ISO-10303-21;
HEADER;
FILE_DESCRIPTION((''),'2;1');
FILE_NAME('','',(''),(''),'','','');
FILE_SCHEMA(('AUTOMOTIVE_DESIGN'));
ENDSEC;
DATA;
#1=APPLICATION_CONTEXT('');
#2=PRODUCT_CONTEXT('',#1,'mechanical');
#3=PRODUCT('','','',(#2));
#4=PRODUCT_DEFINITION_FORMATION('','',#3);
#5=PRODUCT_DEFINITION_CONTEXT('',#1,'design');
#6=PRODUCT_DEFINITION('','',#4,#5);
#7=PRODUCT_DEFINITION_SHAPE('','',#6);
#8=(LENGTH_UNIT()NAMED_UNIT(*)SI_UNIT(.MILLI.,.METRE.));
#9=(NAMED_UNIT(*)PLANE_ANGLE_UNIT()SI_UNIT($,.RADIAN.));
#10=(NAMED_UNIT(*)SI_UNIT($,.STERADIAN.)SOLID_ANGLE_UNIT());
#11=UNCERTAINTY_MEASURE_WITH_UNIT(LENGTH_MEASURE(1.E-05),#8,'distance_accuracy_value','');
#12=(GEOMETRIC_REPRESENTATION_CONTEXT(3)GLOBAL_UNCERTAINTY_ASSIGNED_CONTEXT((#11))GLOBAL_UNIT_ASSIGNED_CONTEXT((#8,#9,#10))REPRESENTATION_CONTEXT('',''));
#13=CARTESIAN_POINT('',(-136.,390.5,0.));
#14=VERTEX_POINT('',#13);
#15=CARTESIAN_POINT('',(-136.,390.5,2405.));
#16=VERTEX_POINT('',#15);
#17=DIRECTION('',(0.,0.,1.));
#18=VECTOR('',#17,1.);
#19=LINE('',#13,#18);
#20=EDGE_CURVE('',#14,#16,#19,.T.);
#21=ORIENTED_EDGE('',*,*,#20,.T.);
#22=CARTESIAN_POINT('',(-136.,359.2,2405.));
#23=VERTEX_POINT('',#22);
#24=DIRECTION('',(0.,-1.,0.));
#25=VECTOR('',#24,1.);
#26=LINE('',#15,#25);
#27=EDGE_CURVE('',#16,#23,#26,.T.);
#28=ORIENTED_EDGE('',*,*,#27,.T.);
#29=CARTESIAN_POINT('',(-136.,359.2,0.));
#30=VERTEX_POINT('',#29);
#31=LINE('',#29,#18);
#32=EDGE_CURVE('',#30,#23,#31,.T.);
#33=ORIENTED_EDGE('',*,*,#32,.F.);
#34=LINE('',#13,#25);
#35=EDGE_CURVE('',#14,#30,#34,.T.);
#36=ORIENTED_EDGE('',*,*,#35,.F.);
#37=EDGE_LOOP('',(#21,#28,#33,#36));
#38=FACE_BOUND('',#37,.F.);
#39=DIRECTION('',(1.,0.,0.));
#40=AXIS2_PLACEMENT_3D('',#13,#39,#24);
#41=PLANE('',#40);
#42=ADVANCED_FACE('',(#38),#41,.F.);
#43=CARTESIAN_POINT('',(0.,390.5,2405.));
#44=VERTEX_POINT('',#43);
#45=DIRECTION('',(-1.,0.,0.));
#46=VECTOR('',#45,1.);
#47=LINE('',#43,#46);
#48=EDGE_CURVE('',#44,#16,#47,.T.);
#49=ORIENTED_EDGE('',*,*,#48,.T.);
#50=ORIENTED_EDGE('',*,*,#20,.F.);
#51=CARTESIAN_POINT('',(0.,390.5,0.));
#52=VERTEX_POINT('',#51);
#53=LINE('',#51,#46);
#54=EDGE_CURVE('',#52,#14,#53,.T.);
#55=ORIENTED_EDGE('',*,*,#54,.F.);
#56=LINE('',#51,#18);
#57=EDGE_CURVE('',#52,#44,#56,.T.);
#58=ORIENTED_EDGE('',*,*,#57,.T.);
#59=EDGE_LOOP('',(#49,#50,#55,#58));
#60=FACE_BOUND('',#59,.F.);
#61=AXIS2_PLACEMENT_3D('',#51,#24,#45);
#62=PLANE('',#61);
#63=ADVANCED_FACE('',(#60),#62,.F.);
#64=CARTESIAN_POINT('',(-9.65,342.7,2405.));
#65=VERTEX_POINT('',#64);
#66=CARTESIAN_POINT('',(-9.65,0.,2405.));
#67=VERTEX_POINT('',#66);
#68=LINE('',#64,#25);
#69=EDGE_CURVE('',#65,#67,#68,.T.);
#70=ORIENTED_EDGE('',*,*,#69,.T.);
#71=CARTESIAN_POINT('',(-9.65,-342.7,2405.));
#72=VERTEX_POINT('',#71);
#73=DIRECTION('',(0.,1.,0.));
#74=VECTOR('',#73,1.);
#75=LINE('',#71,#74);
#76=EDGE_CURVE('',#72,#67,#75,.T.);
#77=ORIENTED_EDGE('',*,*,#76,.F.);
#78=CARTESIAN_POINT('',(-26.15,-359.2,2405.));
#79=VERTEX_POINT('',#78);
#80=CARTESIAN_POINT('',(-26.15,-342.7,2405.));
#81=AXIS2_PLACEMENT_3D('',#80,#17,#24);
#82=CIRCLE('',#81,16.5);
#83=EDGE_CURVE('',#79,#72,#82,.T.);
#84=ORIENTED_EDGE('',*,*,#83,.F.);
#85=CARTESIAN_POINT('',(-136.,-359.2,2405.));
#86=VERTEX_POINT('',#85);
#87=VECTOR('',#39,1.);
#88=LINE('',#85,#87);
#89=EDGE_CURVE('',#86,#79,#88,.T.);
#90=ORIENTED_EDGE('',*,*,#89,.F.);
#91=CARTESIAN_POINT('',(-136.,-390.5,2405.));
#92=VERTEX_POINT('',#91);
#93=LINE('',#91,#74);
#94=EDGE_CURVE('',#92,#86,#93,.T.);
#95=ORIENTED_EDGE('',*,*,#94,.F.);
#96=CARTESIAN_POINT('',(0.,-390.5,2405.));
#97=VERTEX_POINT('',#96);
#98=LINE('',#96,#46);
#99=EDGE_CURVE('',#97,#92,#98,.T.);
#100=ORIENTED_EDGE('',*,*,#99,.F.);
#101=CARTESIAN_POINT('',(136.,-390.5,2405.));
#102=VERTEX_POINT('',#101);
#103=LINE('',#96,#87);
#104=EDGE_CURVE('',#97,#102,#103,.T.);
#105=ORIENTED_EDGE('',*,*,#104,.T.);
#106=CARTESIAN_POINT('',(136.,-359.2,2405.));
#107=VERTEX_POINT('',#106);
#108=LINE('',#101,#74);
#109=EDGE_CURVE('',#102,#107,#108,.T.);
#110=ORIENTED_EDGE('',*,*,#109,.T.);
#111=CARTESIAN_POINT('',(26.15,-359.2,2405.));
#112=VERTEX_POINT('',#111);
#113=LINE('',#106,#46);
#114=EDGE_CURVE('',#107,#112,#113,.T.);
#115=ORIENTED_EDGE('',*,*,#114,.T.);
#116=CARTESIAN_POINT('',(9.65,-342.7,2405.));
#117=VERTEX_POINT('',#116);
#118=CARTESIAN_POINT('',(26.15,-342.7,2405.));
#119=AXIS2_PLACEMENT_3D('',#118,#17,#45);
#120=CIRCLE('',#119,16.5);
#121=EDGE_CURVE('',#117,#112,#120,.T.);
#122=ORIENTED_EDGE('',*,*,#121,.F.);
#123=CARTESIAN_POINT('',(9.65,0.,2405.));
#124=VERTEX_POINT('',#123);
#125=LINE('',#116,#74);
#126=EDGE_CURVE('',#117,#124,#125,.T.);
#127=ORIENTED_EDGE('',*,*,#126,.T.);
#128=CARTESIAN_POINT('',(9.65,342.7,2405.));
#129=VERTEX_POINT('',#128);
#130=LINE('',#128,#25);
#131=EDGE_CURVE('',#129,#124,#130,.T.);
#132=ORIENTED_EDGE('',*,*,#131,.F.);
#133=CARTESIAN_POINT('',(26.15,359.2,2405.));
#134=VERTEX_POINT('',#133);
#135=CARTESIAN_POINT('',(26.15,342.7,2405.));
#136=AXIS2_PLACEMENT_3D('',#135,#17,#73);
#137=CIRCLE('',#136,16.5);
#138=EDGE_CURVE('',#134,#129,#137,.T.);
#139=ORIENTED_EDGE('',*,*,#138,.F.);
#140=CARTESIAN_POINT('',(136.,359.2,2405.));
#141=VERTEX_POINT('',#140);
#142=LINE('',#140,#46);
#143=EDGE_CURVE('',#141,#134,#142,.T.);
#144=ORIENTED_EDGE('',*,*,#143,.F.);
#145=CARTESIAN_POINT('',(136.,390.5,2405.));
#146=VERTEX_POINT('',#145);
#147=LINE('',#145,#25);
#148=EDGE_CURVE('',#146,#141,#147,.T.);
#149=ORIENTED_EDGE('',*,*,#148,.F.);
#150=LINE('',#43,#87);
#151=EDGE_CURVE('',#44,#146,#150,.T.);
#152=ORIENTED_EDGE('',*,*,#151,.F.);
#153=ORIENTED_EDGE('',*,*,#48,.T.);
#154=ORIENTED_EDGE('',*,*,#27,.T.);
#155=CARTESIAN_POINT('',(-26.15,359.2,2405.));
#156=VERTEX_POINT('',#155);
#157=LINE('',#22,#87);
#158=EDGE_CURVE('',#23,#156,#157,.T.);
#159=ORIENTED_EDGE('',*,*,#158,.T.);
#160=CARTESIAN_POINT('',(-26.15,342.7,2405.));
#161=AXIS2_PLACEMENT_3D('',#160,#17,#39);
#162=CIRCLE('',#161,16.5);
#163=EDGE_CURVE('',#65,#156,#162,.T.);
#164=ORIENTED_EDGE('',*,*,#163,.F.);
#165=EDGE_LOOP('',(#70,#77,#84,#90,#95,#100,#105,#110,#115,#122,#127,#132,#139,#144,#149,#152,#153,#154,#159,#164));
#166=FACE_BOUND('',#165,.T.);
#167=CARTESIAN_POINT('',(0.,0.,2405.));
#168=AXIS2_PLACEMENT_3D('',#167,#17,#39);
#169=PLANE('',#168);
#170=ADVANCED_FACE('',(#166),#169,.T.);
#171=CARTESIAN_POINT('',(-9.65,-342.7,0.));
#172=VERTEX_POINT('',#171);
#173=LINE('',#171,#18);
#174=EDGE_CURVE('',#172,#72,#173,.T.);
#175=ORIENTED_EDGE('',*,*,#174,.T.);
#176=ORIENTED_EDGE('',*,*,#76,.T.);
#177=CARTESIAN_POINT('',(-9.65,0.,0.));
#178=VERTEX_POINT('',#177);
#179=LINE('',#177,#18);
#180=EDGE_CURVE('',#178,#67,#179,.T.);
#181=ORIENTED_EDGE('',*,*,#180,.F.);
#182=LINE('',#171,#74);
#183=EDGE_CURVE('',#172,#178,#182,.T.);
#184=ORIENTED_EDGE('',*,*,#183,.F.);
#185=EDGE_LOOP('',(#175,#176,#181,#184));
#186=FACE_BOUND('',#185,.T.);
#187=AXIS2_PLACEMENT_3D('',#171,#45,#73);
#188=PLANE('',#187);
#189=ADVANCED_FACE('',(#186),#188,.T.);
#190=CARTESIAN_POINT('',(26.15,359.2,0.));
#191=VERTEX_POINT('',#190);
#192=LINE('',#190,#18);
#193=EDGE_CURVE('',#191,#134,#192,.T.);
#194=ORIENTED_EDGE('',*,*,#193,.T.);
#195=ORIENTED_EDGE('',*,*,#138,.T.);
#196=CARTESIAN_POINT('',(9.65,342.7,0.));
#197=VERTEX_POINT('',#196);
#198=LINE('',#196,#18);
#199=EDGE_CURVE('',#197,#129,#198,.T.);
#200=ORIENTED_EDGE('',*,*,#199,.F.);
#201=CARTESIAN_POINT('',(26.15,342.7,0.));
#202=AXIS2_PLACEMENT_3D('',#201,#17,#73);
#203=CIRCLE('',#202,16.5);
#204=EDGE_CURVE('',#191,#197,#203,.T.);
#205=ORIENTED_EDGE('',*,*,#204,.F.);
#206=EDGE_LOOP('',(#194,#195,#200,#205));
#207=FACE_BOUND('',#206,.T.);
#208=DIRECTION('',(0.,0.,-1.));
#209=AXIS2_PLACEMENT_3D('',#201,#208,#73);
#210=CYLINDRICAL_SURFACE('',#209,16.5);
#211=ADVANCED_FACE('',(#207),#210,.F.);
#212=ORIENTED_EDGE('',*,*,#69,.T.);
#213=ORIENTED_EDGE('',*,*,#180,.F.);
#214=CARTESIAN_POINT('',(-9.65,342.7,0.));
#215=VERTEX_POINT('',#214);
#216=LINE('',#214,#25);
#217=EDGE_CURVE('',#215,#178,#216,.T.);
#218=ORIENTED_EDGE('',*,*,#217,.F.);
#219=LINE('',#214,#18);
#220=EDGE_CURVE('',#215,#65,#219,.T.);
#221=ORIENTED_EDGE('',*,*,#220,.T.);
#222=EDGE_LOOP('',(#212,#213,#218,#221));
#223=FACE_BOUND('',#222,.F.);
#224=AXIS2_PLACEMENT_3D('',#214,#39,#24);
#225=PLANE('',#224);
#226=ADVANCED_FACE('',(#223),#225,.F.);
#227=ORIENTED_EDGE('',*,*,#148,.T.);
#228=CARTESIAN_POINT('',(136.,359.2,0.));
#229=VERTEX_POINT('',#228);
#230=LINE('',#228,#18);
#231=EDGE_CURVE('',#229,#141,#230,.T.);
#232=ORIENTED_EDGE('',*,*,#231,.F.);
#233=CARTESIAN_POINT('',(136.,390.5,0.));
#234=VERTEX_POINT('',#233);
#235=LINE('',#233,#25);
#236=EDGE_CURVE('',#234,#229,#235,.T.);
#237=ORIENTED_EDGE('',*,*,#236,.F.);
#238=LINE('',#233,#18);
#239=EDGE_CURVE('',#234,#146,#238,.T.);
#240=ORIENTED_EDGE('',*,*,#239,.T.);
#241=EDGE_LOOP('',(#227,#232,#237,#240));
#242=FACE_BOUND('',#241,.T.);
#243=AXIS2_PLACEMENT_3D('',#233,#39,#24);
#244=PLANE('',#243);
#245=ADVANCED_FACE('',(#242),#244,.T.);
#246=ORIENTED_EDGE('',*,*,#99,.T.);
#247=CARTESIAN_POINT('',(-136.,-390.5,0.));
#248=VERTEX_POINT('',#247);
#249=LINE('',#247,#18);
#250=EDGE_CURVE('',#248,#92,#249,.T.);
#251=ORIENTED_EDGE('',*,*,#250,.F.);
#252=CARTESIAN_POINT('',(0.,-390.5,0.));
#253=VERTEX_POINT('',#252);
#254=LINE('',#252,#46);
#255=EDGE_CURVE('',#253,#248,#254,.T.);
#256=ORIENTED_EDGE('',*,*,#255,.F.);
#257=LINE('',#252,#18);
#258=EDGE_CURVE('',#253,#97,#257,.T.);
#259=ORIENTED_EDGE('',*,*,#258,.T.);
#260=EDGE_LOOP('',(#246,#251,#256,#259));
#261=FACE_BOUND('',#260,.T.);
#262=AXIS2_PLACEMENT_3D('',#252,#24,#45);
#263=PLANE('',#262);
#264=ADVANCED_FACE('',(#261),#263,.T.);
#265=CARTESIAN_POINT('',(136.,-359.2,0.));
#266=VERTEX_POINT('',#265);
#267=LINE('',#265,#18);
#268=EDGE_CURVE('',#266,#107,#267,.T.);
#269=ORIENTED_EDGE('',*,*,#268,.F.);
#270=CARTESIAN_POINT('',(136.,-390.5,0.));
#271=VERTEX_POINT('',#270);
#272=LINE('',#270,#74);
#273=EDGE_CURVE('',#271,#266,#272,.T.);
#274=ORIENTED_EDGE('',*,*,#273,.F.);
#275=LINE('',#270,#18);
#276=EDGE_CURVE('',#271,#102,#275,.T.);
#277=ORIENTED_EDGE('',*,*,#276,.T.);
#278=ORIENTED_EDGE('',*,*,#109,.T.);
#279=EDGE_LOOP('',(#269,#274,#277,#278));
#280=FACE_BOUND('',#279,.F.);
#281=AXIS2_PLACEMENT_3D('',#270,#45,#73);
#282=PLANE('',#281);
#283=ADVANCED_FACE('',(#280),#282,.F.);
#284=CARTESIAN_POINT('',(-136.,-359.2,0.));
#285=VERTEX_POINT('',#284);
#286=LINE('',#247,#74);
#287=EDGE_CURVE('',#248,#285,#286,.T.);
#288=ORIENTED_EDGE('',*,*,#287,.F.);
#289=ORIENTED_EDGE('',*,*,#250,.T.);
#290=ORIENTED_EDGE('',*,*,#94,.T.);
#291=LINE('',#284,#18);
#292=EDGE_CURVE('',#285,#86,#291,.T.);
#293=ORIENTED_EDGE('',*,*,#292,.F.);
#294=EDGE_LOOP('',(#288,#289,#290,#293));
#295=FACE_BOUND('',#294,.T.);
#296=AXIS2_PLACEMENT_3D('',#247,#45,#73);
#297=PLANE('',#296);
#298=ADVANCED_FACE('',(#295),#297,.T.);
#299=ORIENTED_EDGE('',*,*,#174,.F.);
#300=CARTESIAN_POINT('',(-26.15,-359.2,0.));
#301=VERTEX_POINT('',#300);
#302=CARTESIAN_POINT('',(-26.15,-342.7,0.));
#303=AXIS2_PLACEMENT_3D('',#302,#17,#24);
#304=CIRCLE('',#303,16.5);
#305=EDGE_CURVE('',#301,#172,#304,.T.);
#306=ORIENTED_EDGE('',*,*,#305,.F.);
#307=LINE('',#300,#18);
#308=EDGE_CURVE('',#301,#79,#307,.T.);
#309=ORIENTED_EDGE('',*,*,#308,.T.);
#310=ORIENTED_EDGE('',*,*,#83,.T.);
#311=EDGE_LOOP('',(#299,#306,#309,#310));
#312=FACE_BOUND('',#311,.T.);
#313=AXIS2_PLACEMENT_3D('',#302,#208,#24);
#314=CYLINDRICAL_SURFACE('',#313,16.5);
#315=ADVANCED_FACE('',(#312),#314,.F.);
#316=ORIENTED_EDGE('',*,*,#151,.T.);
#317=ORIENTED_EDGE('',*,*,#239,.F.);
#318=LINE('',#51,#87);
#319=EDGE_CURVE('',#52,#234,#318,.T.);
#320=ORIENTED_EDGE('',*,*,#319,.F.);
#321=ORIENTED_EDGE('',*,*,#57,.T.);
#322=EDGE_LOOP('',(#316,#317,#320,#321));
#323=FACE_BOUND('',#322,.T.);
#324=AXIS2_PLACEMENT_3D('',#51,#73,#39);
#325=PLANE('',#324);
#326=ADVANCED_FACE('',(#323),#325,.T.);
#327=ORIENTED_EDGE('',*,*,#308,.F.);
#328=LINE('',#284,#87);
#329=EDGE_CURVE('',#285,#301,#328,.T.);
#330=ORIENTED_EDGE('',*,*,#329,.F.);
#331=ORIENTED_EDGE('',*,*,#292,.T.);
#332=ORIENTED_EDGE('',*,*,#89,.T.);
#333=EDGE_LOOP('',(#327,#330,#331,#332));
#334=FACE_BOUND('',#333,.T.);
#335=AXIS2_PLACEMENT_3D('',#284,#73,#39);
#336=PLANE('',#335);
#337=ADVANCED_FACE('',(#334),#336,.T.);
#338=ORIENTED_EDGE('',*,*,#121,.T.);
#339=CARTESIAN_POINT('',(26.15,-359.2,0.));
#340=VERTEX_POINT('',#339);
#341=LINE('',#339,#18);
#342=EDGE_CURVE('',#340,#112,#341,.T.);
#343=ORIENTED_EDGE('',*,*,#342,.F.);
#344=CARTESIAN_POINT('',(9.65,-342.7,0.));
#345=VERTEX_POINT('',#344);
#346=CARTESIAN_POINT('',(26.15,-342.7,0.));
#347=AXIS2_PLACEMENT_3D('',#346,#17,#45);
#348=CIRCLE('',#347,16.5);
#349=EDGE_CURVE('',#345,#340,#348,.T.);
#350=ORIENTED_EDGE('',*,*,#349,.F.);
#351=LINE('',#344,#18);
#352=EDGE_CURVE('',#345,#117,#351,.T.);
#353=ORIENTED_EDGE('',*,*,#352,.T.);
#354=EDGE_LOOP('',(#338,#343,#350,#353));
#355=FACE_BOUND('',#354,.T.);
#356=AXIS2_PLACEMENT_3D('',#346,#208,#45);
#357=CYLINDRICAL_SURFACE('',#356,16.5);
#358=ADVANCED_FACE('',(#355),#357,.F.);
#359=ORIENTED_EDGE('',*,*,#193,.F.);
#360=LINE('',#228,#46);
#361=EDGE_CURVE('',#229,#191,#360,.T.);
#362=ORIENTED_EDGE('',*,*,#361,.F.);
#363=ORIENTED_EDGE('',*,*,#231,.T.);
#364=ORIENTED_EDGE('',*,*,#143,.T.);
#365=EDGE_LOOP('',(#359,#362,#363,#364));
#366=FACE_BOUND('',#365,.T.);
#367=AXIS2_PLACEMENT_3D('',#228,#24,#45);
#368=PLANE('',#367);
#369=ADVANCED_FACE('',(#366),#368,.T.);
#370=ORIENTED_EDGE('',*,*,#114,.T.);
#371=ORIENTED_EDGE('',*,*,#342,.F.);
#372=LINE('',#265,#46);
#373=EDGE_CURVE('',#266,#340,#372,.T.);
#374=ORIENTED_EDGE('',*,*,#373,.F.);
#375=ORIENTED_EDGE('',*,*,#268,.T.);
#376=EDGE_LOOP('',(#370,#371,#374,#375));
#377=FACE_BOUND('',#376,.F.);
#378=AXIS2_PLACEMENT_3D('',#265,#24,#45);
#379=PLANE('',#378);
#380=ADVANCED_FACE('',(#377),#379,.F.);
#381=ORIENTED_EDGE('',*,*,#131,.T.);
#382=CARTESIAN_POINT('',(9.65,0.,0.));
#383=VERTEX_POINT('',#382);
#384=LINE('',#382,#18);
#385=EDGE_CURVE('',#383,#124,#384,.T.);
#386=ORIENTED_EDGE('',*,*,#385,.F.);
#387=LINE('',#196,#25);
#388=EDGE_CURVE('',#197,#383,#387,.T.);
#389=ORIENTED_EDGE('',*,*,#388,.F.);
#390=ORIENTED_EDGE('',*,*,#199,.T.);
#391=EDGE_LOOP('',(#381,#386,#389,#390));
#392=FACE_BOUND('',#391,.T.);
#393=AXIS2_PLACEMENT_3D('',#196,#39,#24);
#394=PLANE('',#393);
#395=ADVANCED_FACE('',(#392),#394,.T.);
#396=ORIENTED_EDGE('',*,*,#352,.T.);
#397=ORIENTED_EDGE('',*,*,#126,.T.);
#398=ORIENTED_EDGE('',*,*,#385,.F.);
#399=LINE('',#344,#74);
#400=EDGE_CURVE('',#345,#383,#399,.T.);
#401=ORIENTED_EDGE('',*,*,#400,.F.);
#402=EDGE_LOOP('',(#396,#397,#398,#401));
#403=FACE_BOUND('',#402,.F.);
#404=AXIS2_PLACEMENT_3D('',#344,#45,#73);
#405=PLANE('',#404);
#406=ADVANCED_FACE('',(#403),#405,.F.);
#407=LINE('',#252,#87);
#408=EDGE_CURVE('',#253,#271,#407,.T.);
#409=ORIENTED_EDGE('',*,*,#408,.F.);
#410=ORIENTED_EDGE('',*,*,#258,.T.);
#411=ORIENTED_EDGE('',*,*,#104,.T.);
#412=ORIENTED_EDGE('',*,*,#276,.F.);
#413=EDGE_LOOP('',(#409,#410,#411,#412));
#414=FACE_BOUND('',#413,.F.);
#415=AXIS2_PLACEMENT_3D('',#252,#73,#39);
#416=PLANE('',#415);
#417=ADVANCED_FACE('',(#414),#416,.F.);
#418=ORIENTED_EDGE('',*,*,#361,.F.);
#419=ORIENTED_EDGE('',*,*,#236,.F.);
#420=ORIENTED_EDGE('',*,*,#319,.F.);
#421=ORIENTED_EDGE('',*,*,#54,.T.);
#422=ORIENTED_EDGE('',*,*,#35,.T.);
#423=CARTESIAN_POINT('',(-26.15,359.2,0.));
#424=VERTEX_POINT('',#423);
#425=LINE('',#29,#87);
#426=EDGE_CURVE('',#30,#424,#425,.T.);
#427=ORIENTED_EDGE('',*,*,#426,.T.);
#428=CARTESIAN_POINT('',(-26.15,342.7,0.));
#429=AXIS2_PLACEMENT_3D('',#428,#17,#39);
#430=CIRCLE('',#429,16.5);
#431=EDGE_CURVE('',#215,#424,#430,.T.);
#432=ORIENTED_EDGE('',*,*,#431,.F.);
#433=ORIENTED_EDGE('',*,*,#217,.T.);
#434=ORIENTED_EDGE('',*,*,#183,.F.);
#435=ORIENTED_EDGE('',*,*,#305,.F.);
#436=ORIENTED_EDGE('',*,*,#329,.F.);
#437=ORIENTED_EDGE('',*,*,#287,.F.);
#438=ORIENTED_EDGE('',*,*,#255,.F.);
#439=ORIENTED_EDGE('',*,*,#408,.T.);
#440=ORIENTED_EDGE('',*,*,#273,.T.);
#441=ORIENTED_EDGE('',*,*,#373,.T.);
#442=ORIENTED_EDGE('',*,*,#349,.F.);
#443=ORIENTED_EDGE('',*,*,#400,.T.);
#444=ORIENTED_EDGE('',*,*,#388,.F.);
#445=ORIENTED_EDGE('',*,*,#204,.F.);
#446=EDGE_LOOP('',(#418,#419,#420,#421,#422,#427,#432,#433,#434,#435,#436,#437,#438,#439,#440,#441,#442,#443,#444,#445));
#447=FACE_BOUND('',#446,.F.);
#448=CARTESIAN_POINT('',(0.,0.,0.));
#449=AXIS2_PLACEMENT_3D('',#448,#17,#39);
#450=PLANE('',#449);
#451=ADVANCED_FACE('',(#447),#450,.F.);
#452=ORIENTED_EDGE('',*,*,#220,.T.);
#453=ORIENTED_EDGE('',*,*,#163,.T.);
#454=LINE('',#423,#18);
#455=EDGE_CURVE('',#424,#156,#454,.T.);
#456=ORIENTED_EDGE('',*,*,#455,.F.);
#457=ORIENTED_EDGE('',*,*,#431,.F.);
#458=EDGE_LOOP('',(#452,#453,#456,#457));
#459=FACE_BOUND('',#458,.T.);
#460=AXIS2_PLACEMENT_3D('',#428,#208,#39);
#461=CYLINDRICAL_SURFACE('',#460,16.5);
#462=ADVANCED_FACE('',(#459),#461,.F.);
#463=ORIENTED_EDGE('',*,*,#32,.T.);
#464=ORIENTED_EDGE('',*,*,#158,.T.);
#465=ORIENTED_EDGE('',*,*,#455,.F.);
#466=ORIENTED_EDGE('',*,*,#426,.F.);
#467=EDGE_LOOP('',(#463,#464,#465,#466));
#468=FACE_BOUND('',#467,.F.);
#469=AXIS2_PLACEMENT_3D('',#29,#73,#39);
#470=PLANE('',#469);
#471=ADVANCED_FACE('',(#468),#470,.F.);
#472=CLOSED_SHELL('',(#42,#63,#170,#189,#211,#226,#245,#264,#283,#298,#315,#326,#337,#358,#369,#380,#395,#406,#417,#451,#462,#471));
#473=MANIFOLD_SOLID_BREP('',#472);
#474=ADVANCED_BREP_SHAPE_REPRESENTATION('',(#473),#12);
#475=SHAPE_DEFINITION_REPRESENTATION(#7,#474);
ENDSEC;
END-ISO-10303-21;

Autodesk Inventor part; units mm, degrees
ref_plane "YZ Plane" through (0, 0, 0) normal (1, 0, 0) x (0, 1, 0)
ref_plane "Start plane" through (0, 0, 0) normal (0, 0, 1) x (1, 0, 0)
ref_plane "End plane" through (0, 0, 2405) normal (0, 0, 1) x (1, 0, 0)
sketch "Sketch" plane through (0, 0, 0) normal (0, 0, 1) x (1, 0, 0)
  line L0 (-136, -390.5) -> (-136, -359.2)
  line L1 (-136, -359.2) -> (-26.15, -359.2)
  line L2 (-9.65, -342.7) -> (-9.65, 0)
  line L3 (-9.65, 0) -> (0, 0) construction
  line L4 (0, 0) -> (0, -390.5) construction
  line L5 (0, -390.5) -> (-136, -390.5)
  line L6 (-60, 0) -> (80, 0) construction
  line L7 (0, -60) -> (0, 80) construction
  line L8 (136, -390.5) -> (136, -359.2)
  line L9 (136, -359.2) -> (26.15, -359.2)
  line L10 (9.65, -342.7) -> (9.65, 0)
  line L11 (9.65, 0) -> (0, 0) construction
  line L12 (0, -390.5) -> (136, -390.5)
  line L13 (-136, 390.5) -> (-136, 359.2)
  line L14 (-136, 359.2) -> (-26.15, 359.2)
  line L15 (-9.65, 342.7) -> (-9.65, 0)
  line L16 (0, 390.5) -> (-136, 390.5)
  line L17 (136, 390.5) -> (136, 359.2)
  line L18 (136, 359.2) -> (26.15, 359.2)
  line L19 (0, 390.5) -> (136, 390.5)
  line L20 (9.65, 342.7) -> (9.65, 0)
  arc A0 (-9.65, 342.7) -> (-26.15, 359.2) centre (-26.15, 342.7) ccw
  arc A1 (26.15, 359.2) -> (9.65, 342.7) centre (26.15, 342.7) ccw
  arc A2 (9.65, -342.7) -> (26.15, -359.2) centre (26.15, -342.7) ccw
  arc A3 (-26.15, -359.2) -> (-9.65, -342.7) centre (-26.15, -342.7) ccw
  line L21 (0, 108) -> (0, -88) construction
  line L22 (-88, 0) -> (108, 0) construction
  point P0 (-9.65, -359.2)
  point P1 (9.65, -359.2)
  point P2 (-9.65, 359.2)
  point P3 (9.65, 359.2)
  dimension "d1" = 390.5
  dimension "d2" = 31.3
  dimension "d3" = 136
  dimension "d4" = 9.65
  dimension "d10" = 16.5
extrude "Body" add sketch "Sketch" along normal up to surface (2405 mm away) from surface at 0
sketch "Sketch4" plane through (0, 0, 0) normal (0, 0, 1) x (1, 0, 0)
  line L0 (0, 0) -> (10, 0)
ref_plane "Work Plane3" through (0, 0, 0) normal (0, -1, 0) x (1, 0, 0)
sketch "Sketch5" plane through (0, 0, 0) normal (0, -1, 0) x (1, 0, 0)
  line L0 (-2, 0) -> (12, 0) projected
  line L1 (-2, 2405) -> (12, 2405) projected
  dimension "d14" = 2405
equation "\"d1\" = 0.5 * G_H"
equation "\"d2\" = G_T1"
equation "\"d3\" = 0.5 * G_W"
equation "\"d4\" = 0.5 * G_T"
equation "\"d10\" = G_IR"
equation "\"d5\" = G_L"
equation "\"G_W\" = 272"
equation "\"G_H\" = 781"
equation "\"G_T\" = 19.3"
equation "\"G_T1\" = 31.3"
equation "\"G_IR\" = 16.5"
equation "\"G_L\" = d14"
equation "\"G_OFFSET_START\" = 0"
equation "\"G_OFFSET_END\" = 0"
equation "\"d12\" = G_OFFSET_END + B_L"
equation "\"B_L\" = 2405"
properties part number "AS 3679-1990 - 760 UB - 244 - 2405" material "Steel, Mild"
